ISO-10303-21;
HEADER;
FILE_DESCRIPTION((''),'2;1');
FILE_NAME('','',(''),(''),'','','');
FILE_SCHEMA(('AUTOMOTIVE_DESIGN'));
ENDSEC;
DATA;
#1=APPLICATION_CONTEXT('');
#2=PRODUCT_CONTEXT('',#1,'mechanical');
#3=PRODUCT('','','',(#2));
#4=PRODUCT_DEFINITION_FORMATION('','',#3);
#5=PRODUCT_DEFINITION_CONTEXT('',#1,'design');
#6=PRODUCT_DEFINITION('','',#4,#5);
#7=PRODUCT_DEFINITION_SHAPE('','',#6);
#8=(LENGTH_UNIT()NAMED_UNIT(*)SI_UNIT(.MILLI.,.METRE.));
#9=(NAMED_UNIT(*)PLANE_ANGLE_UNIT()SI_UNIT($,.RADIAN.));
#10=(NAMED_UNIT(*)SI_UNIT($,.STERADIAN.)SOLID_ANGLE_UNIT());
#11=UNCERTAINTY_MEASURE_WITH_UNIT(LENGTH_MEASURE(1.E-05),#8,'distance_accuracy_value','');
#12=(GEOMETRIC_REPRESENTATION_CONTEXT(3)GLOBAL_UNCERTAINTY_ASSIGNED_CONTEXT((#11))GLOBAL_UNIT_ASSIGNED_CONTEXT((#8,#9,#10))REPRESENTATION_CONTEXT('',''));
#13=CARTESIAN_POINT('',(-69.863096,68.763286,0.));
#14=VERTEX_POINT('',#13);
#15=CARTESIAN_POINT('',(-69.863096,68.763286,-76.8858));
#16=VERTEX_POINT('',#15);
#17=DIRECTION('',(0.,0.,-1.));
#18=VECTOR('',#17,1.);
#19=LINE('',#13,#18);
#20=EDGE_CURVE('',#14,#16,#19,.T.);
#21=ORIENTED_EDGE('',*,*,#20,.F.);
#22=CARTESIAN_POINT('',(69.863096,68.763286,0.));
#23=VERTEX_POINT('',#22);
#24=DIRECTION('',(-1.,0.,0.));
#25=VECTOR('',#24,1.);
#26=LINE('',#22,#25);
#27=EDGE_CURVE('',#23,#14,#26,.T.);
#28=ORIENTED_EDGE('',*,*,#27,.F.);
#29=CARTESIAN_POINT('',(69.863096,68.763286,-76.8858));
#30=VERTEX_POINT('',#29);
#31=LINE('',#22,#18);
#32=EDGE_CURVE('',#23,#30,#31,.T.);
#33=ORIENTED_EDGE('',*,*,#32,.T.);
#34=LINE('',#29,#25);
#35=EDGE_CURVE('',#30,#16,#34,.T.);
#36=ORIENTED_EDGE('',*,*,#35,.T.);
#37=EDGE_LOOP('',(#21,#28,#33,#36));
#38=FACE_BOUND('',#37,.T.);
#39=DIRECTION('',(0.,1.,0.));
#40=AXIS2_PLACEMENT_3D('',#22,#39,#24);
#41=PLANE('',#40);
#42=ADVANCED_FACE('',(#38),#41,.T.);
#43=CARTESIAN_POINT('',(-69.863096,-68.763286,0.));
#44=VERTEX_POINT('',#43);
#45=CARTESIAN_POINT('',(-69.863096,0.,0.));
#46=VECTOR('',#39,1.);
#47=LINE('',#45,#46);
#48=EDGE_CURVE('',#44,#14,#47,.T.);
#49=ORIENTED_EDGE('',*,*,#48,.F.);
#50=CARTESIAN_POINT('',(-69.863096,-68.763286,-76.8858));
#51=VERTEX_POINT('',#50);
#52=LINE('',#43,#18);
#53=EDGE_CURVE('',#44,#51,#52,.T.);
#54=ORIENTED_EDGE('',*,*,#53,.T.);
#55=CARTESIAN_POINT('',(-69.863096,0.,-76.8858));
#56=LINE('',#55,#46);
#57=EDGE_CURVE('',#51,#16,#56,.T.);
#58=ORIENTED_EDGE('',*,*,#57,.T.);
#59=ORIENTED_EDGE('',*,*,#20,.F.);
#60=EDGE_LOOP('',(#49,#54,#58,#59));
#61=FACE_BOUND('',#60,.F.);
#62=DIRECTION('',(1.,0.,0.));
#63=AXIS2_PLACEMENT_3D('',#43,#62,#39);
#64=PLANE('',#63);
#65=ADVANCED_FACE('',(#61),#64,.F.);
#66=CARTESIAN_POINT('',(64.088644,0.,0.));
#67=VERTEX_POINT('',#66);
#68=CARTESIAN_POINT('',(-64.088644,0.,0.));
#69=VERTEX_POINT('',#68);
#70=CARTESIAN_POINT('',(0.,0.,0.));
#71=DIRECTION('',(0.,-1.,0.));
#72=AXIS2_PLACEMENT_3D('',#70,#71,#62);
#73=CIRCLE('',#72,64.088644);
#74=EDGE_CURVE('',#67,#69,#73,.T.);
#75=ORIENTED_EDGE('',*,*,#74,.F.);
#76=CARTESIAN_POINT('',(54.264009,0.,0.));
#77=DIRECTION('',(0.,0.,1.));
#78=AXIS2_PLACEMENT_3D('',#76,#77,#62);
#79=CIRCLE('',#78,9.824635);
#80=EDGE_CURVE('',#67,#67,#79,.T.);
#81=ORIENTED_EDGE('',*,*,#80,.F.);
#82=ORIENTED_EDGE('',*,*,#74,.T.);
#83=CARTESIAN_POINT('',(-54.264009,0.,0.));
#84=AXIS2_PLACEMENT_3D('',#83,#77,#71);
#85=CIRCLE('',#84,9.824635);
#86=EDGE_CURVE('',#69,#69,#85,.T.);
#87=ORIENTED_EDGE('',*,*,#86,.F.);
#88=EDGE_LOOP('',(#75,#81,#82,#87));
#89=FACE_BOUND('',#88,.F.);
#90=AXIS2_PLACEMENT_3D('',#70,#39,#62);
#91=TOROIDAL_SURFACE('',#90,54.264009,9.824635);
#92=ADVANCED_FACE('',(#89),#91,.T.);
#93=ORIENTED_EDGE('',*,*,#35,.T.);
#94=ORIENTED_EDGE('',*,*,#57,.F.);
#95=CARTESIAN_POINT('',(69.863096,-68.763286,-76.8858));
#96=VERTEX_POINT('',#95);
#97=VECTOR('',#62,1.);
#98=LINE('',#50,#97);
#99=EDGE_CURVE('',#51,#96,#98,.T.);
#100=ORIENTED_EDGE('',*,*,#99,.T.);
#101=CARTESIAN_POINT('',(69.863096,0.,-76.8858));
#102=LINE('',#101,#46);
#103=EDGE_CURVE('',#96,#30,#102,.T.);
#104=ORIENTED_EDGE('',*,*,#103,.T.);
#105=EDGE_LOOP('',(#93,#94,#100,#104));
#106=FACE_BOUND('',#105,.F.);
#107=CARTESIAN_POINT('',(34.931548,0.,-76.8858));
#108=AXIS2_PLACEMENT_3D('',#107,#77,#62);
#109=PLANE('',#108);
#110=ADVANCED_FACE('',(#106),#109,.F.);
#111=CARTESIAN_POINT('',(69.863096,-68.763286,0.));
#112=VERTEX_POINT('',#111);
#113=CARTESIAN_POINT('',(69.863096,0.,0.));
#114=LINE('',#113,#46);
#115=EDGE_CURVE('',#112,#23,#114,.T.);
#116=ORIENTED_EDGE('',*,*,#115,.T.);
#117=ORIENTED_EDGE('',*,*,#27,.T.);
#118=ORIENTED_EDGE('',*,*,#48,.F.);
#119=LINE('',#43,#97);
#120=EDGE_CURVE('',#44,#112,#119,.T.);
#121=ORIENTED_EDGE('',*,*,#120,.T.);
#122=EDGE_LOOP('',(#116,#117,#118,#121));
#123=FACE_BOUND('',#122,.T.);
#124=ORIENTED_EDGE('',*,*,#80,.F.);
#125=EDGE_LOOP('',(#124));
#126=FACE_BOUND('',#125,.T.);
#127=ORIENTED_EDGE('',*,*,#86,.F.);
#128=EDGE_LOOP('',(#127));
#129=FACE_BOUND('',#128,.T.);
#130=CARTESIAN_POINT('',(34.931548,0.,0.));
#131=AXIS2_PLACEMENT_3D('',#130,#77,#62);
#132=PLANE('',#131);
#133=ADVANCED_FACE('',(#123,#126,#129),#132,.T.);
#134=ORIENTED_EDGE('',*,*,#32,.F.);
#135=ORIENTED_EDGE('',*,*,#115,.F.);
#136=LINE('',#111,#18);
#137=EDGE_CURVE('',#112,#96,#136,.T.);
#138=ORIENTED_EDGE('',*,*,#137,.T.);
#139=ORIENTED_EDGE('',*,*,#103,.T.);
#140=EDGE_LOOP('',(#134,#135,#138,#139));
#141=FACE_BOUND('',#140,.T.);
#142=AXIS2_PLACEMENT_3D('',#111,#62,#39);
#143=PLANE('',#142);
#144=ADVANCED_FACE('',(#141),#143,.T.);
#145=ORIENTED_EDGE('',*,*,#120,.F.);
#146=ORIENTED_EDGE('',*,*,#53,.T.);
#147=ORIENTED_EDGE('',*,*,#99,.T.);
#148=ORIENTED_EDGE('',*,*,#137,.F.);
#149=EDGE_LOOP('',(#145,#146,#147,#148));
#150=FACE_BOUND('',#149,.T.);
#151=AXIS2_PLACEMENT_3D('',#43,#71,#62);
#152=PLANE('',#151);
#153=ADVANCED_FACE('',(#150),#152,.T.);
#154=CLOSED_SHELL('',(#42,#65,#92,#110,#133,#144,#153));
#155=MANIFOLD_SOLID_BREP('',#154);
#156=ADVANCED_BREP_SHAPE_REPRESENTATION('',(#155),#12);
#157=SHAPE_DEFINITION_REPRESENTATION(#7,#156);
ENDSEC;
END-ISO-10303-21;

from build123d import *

# Parameters (mm, degrees)
F1_R     = 9.824635
F0_W     = 69.863096
F0_H     = 137.526572
F3_DEPTH = 76.8858


with BuildPart() as f2:
    # F1 (on Top) → F2 (revolve)
    with BuildSketch(Plane.XY):
        with Locations((54.264009, 0)):
            Circle(F1_R)
    revolve(axis=Axis((0, 0, 0), (0, -1, 0)))

    # F0 (on Top) → F3 (join)
    with BuildSketch(Plane.XY):
        with Locations((34.931548, 0)):
            Rectangle(F0_W, F0_H)
        with Locations((-34.931548, 0)):
            Rectangle(F0_W, F0_H)
    extrude(amount=-F3_DEPTH)


solid = f2.part
